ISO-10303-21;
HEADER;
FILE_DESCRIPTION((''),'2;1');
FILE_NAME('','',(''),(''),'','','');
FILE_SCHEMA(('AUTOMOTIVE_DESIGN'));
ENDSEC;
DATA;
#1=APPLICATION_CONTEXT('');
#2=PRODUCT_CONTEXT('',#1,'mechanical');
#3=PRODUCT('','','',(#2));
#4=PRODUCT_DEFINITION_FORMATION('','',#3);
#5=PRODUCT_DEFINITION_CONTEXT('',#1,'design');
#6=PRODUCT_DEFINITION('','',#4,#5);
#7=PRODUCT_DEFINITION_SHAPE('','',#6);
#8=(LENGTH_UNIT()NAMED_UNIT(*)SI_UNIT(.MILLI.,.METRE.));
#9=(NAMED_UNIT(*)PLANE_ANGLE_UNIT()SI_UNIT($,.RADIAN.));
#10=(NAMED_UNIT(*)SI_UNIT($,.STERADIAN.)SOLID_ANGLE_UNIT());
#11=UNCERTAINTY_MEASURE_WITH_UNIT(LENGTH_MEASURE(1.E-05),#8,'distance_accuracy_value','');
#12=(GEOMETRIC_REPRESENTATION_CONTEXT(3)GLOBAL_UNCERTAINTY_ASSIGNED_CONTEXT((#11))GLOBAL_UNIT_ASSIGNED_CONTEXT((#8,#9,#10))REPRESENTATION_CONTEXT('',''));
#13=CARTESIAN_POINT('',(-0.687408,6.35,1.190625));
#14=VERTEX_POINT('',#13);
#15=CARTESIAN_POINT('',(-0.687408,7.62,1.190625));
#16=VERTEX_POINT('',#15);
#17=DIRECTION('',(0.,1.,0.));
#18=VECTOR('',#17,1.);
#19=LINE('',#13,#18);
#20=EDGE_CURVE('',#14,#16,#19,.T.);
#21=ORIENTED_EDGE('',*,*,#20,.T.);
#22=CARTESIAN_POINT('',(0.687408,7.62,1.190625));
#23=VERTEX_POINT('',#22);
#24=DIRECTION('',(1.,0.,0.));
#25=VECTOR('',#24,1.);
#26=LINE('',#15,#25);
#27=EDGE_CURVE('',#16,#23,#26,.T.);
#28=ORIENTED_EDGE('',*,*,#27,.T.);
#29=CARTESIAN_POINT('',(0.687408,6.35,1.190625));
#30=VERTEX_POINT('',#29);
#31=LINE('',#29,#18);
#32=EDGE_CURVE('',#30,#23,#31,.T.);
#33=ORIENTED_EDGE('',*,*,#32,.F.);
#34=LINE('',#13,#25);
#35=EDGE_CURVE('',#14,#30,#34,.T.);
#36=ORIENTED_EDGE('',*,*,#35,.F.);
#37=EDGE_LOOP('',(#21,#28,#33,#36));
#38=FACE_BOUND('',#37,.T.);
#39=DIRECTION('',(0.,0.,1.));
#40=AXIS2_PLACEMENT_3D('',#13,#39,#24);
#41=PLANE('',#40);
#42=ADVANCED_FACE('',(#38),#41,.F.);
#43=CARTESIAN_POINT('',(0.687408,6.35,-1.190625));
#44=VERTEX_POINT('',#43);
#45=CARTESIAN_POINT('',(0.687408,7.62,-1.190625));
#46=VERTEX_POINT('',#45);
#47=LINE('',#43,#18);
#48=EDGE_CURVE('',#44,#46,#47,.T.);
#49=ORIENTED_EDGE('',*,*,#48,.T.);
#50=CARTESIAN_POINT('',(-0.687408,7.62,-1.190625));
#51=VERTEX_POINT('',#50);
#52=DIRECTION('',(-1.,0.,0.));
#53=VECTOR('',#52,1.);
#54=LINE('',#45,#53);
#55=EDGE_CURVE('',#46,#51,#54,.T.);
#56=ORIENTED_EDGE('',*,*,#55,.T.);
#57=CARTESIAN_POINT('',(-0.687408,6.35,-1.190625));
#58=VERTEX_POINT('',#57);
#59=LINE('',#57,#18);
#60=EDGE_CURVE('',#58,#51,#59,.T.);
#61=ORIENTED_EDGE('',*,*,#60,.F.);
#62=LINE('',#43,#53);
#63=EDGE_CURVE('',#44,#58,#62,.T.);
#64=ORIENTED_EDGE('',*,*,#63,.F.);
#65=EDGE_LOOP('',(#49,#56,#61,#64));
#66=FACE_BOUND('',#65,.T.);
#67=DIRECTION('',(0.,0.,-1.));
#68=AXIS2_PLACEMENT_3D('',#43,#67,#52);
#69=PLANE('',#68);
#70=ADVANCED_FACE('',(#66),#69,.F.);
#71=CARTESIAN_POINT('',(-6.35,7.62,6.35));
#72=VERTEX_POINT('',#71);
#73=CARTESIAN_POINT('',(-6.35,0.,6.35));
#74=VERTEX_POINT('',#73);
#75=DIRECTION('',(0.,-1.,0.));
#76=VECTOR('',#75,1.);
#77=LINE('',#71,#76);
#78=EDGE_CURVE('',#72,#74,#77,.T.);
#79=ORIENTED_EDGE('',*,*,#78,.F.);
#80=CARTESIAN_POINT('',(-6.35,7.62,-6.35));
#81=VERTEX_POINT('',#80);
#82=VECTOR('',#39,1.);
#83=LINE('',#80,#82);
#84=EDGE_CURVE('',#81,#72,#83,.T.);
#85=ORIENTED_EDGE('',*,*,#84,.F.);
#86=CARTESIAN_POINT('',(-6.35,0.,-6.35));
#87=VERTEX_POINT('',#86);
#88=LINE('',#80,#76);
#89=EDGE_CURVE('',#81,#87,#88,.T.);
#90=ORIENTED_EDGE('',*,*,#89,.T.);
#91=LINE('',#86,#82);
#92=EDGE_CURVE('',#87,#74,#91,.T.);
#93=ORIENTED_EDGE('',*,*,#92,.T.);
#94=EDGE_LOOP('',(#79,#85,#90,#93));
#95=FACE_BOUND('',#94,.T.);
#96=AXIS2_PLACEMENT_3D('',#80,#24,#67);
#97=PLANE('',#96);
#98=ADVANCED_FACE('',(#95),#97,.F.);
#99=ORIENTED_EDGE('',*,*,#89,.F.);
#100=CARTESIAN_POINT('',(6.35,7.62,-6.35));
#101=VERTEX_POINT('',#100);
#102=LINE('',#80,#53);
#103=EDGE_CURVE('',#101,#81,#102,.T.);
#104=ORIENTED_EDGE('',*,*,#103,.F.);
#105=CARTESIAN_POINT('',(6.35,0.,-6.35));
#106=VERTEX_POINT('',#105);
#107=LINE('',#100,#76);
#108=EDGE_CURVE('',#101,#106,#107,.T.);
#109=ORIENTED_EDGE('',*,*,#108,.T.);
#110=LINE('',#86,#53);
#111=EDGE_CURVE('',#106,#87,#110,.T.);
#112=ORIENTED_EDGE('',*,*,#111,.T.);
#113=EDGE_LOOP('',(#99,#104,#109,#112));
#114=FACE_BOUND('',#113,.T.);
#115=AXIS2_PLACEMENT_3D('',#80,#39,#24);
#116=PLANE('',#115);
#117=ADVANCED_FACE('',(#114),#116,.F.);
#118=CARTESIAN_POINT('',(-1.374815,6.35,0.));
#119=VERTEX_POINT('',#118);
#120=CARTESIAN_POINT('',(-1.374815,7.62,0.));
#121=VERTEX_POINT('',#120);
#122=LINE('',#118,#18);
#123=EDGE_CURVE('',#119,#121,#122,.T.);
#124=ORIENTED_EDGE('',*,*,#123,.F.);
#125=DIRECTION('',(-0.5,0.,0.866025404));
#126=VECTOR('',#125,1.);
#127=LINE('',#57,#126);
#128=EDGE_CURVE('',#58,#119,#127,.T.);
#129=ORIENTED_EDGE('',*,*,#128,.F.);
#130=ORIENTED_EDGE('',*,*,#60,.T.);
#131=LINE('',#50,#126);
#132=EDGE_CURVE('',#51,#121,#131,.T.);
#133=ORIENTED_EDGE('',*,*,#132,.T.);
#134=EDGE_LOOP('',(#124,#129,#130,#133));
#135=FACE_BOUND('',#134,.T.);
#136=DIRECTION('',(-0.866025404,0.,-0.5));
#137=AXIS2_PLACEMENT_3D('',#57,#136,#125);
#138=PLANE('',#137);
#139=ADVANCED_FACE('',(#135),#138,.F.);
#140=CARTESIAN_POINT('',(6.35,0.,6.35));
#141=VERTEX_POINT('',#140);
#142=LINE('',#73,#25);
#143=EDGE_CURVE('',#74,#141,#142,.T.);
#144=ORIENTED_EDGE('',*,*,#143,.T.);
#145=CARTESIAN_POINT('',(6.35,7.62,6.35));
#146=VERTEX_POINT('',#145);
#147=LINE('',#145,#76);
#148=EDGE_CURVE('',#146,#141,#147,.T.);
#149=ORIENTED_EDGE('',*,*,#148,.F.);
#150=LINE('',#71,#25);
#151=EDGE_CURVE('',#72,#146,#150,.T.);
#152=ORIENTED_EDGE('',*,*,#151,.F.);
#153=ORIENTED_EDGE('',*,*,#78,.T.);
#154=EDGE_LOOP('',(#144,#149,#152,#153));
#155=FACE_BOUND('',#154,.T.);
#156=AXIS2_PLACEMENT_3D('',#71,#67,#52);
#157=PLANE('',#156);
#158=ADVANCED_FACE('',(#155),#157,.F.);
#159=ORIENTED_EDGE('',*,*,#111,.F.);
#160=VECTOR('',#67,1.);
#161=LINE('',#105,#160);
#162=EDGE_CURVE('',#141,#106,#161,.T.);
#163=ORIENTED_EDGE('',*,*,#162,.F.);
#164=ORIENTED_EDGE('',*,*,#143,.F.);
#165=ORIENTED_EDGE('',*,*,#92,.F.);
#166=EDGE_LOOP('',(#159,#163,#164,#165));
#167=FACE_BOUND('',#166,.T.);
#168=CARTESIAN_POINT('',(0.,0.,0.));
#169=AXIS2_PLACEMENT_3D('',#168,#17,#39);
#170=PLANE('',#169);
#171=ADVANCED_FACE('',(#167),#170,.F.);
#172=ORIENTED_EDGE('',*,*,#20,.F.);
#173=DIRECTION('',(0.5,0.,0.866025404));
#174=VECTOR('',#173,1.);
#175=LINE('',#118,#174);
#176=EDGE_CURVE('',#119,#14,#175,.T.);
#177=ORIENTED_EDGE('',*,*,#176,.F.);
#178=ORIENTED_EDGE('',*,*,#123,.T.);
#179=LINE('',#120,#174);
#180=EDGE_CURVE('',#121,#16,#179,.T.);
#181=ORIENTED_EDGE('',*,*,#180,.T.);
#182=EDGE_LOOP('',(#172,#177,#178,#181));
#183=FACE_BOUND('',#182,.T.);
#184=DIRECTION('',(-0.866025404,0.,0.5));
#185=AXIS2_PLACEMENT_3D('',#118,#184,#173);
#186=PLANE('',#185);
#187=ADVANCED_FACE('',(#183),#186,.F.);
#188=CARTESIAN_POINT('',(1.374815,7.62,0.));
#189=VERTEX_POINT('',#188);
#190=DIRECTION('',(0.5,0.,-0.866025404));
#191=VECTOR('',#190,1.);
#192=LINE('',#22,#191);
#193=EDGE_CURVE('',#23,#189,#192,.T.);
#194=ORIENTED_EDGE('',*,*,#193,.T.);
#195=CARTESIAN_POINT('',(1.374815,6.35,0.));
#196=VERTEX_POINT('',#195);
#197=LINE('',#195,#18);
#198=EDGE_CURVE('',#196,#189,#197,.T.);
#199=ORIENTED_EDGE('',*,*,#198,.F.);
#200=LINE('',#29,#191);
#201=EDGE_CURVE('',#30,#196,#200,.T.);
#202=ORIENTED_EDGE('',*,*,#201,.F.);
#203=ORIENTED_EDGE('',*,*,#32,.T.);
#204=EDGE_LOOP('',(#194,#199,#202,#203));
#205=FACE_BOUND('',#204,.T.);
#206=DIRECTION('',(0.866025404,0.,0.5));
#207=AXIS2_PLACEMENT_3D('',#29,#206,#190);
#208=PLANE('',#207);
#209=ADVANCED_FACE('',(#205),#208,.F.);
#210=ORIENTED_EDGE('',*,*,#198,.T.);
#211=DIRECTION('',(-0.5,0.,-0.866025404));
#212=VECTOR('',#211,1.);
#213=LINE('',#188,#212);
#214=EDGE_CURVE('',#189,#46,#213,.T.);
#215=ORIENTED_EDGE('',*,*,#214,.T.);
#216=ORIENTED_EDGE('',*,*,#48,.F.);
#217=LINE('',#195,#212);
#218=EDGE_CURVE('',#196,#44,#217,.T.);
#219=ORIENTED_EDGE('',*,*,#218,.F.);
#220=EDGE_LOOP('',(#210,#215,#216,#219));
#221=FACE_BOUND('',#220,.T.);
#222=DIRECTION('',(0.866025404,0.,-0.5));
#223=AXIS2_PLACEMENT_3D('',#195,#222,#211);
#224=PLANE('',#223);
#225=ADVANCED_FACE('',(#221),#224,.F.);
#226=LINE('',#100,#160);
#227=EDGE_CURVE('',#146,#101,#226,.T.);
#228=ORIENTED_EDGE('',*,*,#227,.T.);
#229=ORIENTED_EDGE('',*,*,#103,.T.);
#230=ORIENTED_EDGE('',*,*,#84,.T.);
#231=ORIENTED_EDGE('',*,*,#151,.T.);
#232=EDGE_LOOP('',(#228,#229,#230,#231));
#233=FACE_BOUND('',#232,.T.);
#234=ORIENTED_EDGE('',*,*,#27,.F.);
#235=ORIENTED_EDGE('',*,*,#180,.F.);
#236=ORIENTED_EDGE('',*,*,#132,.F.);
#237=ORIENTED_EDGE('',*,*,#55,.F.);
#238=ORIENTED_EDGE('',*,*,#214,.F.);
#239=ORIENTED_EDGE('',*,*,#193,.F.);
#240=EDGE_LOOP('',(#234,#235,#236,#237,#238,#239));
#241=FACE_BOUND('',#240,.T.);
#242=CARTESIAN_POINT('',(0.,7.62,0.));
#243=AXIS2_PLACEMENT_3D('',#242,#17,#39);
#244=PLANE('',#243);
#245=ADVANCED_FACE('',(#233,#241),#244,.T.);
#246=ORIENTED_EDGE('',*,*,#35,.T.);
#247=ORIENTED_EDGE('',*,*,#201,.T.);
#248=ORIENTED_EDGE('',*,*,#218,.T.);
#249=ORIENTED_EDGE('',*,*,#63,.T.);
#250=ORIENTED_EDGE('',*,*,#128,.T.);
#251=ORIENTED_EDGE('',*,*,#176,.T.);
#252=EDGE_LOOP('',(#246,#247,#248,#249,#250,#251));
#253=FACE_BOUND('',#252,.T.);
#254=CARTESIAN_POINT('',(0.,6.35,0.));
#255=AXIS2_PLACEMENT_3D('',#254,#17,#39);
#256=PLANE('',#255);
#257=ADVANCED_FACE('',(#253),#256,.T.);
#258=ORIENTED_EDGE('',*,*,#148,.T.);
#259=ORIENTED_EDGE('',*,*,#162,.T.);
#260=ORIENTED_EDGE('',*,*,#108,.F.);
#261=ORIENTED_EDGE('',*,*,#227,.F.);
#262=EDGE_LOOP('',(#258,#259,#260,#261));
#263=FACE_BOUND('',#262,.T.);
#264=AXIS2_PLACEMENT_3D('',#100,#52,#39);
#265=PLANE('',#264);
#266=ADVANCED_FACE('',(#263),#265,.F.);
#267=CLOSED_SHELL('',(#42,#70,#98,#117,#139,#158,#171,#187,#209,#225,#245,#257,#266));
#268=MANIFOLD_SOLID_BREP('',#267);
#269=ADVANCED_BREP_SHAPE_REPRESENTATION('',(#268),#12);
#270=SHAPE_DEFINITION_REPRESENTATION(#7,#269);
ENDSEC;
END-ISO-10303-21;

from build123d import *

# Parameters (mm, degrees)
SKETCH1_W           = 12.7
SKETCH1_H           = 12.7
BOSS_EXTRUDE1_DEPTH = 7.62
CUT_EXTRUDE1_DEPTH  = 1.27


with BuildPart() as part:
    # Sketch1 → Boss-Extrude1 (new body)
    with BuildSketch(Plane(origin=(0, 0, 0), x_dir=(1, 0, 0), z_dir=(0, 1, 0))):
        Rectangle(SKETCH1_W, SKETCH1_H)
    extrude(amount=BOSS_EXTRUDE1_DEPTH)

    # Sketch2 → Cut-Extrude1 (cut)
    with BuildSketch(Plane(origin=(0, 7.62, 0), x_dir=(1, 0, 0), z_dir=(0, 1, 0))):
        Polygon((0.687407664, -1.190625), (1.374815329, 0), (0.687407664, 1.190625), (-0.687407664, 1.190625), (-1.374815329, 0), (-0.687407664, -1.190625), align=None)
    extrude(amount=-CUT_EXTRUDE1_DEPTH, mode=Mode.SUBTRACT)


solid = part.part
